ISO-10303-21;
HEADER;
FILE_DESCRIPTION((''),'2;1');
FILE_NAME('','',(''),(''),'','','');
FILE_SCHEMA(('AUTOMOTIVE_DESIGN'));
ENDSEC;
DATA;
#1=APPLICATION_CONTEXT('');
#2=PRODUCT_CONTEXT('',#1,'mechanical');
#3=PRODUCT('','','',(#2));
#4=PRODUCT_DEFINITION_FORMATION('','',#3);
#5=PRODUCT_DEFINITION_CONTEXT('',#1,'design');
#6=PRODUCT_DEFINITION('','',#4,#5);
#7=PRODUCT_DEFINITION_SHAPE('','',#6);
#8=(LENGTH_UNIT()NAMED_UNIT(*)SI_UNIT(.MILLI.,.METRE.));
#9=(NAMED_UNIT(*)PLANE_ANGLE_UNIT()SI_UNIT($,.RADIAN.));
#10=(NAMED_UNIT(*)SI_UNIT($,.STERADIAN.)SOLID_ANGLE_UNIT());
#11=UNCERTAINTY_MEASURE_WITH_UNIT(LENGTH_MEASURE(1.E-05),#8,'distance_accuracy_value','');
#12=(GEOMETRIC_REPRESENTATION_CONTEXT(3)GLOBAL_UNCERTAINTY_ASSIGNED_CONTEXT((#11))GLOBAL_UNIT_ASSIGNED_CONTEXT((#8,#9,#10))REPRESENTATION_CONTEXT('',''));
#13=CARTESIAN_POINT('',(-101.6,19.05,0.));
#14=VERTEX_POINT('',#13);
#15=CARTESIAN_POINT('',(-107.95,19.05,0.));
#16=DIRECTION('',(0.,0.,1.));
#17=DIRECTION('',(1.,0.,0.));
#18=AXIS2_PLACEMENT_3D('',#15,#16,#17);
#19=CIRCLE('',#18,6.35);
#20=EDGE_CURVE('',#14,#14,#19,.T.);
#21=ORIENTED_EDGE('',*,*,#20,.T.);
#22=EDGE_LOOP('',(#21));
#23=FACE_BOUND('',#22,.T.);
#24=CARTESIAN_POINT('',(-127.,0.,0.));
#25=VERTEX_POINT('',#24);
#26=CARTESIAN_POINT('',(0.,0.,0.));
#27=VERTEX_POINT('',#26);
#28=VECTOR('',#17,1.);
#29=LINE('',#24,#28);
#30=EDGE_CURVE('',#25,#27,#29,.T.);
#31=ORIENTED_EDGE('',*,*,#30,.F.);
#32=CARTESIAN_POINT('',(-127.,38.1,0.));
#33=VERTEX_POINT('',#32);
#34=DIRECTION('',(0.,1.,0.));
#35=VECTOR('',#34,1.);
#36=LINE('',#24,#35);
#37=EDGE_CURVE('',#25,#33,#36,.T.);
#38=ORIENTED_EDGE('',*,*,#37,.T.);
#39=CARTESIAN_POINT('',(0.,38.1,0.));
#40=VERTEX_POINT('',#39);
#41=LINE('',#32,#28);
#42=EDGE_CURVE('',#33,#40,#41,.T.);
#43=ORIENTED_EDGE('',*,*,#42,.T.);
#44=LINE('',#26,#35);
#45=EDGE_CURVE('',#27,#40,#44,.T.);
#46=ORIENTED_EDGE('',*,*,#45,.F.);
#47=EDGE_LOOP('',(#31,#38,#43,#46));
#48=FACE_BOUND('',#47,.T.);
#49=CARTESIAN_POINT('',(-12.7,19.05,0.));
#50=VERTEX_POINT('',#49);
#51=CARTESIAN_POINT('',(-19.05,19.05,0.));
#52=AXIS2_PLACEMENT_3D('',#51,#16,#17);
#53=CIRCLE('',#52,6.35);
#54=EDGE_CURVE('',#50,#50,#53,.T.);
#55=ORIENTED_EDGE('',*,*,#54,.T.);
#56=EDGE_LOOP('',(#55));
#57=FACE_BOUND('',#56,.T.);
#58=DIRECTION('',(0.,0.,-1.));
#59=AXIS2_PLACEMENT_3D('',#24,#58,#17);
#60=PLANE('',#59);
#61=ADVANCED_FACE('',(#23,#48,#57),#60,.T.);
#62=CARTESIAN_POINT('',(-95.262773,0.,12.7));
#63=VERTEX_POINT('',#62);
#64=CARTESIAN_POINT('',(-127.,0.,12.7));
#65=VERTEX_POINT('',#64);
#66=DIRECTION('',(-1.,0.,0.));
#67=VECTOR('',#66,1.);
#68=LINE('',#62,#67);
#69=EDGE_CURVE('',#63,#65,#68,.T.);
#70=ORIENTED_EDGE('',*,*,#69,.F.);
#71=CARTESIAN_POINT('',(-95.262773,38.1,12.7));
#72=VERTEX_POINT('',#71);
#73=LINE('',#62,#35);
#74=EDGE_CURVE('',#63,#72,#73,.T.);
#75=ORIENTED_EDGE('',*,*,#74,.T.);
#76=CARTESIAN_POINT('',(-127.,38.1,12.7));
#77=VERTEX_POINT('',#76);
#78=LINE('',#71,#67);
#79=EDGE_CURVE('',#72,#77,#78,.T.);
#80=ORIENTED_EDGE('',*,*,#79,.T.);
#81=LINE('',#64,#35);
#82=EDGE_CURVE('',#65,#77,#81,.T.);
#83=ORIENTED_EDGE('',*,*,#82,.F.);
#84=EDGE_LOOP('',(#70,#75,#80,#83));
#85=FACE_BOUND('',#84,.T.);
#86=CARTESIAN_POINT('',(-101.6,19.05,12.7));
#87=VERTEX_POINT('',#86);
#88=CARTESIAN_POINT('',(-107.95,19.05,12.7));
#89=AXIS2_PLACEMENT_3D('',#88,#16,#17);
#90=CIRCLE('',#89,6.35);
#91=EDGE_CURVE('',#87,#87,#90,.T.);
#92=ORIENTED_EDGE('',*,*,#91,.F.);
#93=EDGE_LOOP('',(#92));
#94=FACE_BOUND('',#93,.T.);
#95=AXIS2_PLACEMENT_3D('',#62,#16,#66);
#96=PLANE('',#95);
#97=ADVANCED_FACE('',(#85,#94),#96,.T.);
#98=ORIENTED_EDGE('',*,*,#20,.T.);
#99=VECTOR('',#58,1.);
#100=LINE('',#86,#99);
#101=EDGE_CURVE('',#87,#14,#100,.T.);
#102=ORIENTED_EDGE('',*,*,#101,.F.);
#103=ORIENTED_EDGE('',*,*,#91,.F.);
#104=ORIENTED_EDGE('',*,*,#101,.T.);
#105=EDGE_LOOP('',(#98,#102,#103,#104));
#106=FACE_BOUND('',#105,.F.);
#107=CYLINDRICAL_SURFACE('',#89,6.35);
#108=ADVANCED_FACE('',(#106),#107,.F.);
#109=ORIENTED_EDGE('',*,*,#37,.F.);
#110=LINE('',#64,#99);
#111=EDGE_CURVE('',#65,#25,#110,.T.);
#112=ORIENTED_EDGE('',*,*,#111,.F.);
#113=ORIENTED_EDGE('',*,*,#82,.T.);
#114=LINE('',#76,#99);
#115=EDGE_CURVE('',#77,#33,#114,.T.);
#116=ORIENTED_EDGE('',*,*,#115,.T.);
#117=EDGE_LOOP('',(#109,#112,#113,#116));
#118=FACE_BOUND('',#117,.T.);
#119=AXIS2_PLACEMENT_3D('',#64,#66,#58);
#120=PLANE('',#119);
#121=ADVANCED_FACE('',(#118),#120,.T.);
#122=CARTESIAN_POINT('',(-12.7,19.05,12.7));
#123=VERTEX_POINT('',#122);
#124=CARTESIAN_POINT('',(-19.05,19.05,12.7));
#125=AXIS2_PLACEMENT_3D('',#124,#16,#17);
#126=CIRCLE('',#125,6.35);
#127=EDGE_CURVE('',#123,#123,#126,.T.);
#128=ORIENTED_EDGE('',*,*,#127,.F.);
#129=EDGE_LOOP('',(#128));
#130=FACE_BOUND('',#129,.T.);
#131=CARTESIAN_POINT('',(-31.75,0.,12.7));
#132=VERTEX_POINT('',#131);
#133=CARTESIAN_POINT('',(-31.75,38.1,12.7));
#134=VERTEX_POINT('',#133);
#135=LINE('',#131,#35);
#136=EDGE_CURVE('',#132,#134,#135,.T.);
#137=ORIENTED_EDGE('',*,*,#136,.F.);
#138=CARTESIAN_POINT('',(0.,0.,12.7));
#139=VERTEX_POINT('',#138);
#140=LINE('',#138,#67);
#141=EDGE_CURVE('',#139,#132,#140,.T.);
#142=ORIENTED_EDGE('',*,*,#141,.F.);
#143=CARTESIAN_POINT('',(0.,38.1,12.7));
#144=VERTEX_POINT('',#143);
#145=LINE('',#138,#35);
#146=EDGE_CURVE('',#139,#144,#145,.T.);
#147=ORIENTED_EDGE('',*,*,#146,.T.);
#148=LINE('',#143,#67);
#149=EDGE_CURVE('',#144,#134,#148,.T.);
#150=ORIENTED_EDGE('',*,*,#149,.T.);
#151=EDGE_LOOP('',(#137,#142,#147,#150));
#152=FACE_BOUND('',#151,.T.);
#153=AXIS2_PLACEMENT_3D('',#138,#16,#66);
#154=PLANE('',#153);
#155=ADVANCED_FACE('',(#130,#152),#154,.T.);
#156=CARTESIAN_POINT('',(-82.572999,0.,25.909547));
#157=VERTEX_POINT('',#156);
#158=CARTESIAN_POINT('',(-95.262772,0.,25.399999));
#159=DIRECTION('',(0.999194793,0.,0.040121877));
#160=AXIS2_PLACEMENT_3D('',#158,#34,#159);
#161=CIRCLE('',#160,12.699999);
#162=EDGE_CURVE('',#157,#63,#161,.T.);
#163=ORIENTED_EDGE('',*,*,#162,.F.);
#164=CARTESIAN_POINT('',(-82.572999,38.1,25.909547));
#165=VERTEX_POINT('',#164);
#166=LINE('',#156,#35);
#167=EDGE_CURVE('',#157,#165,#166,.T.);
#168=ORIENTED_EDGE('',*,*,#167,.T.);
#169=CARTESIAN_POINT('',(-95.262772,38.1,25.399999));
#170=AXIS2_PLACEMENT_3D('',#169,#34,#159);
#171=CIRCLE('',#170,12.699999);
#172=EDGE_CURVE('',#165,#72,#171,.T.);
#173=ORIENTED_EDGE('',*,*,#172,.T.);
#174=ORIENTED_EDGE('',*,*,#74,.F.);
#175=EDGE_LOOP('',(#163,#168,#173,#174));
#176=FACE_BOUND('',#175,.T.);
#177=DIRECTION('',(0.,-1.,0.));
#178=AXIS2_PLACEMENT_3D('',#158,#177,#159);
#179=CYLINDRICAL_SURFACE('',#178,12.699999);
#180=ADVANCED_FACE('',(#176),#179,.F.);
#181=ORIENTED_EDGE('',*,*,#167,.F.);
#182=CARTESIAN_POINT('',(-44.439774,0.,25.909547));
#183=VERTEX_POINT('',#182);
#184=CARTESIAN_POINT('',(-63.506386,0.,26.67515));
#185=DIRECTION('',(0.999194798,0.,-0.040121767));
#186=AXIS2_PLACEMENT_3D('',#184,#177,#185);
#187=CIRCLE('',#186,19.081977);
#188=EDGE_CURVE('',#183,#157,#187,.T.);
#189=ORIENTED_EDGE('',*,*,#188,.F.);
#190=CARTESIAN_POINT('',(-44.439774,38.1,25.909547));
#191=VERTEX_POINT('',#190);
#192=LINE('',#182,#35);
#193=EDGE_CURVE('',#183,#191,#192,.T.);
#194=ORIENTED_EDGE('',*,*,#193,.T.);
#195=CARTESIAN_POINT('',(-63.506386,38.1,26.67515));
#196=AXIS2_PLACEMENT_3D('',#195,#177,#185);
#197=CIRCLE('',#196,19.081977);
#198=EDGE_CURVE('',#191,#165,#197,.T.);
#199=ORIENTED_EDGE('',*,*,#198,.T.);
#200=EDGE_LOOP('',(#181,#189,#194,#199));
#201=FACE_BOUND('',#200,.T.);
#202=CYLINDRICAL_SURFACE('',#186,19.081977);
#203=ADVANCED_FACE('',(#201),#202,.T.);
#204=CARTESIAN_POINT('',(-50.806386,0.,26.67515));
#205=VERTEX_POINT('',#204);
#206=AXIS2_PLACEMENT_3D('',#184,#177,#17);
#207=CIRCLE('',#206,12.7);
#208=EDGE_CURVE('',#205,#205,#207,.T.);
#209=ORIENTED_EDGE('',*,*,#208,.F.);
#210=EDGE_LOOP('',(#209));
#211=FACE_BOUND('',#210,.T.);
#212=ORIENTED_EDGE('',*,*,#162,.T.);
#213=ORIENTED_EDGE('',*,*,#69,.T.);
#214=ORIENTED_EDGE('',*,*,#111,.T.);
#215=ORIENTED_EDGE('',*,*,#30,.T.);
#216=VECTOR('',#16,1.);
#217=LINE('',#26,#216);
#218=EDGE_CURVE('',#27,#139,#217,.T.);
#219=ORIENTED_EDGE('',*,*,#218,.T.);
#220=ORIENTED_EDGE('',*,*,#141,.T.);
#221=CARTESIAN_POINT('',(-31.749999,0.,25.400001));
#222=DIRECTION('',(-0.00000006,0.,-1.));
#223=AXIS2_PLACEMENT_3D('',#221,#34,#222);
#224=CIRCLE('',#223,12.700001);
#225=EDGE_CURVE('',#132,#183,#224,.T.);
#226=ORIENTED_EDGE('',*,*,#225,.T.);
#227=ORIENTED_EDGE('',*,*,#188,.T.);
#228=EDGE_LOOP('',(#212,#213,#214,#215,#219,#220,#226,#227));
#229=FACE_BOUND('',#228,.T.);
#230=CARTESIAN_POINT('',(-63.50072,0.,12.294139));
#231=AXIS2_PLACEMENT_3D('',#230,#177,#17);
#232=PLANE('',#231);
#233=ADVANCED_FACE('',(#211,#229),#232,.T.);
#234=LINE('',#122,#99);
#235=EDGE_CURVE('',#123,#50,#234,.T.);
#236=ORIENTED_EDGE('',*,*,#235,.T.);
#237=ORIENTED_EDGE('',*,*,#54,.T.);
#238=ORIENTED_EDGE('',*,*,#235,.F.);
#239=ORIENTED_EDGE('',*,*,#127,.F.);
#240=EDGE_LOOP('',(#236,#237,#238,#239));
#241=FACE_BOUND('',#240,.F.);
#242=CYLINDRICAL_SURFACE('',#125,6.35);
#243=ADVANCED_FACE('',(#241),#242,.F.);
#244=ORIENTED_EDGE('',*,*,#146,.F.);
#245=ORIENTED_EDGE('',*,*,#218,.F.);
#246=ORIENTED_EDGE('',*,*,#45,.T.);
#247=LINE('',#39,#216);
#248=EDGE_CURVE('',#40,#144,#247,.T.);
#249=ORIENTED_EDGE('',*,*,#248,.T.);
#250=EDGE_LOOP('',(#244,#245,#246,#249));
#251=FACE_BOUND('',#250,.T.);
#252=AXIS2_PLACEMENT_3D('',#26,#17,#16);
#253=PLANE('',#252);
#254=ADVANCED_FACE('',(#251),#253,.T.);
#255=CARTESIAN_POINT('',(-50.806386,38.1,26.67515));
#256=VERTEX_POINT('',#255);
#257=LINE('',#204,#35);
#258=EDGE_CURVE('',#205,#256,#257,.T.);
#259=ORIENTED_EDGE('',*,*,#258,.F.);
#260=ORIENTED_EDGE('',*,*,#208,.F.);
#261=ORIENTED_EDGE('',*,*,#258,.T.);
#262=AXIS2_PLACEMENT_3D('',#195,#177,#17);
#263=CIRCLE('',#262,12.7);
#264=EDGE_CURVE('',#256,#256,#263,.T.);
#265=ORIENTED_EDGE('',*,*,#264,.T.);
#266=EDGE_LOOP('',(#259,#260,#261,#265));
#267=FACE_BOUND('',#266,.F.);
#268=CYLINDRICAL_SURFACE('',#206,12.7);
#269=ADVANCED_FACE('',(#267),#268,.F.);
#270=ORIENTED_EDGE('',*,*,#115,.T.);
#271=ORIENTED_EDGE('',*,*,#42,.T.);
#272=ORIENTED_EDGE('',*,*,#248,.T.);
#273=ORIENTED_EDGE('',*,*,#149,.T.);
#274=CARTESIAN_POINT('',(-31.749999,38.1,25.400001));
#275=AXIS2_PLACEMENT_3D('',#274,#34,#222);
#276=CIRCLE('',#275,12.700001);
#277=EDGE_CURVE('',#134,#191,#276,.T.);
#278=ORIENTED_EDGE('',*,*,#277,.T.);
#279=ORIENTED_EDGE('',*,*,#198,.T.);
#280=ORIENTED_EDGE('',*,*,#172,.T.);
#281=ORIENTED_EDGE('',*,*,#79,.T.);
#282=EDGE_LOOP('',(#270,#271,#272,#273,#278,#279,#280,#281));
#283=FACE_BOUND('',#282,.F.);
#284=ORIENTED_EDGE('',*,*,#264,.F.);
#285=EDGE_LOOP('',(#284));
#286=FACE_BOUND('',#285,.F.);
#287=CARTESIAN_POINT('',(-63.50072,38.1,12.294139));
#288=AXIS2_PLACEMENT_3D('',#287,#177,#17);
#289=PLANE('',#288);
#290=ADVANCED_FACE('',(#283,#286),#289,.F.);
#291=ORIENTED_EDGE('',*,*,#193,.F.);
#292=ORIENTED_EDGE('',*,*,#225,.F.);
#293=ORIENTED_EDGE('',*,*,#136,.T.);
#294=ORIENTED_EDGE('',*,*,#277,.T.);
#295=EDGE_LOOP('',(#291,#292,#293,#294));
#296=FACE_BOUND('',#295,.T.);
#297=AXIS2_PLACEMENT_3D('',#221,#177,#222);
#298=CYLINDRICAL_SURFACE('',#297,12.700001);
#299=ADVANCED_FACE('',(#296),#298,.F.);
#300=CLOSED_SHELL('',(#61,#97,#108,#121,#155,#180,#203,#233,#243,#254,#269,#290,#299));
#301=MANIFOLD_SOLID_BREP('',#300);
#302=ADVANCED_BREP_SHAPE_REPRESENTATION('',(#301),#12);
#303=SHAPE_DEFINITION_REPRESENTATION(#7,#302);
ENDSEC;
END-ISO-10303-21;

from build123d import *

# Parameters (mm, degrees)
F0_R     = 12.7
F1_DEPTH = 38.1
F2_R     = 6.35
F3_R     = 6.35
F4_DEPTH = 12.7


with BuildPart() as f1:
    # F0 (on Front) → F1 (new body)
    with BuildSketch(Plane.XZ):
        with BuildLine():
            Line((-127, 0), (0, 0))
            Line((0, 0), (0, 12.7))
            Line((0, 12.7), (-31.75, 12.7))
            ThreePointArc((-31.75, 12.7), (-40.908636, 16.60174), (-44.439774, 25.909547))
            ThreePointArc((-44.439774, 25.909547), (-63.506386, 45.757127), (-82.572999, 25.909547))
            ThreePointArc((-82.572999, 25.909547), (-86.104136, 16.60174), (-95.262773, 12.7))
            Line((-95.262773, 12.7), (-127, 12.7))
            Line((-127, 12.7), (-127, 0))
        make_face()
        with Locations((-63.506386, 26.67515)):
            Circle(F0_R, mode=Mode.SUBTRACT)
    extrude(amount=-F1_DEPTH)

    # F2 (on face) + F3 (on face) → F4 (cut)
    with BuildSketch(Plane.XY.offset(12.7)):
        with Locations((-19.05, 19.05)):
            Circle(F2_R)
    with BuildSketch(Plane.XY.offset(12.7)):
        with Locations((-107.95, 19.05)):
            Circle(F3_R)
    extrude(amount=-F4_DEPTH, mode=Mode.SUBTRACT)


solid = f1.part
